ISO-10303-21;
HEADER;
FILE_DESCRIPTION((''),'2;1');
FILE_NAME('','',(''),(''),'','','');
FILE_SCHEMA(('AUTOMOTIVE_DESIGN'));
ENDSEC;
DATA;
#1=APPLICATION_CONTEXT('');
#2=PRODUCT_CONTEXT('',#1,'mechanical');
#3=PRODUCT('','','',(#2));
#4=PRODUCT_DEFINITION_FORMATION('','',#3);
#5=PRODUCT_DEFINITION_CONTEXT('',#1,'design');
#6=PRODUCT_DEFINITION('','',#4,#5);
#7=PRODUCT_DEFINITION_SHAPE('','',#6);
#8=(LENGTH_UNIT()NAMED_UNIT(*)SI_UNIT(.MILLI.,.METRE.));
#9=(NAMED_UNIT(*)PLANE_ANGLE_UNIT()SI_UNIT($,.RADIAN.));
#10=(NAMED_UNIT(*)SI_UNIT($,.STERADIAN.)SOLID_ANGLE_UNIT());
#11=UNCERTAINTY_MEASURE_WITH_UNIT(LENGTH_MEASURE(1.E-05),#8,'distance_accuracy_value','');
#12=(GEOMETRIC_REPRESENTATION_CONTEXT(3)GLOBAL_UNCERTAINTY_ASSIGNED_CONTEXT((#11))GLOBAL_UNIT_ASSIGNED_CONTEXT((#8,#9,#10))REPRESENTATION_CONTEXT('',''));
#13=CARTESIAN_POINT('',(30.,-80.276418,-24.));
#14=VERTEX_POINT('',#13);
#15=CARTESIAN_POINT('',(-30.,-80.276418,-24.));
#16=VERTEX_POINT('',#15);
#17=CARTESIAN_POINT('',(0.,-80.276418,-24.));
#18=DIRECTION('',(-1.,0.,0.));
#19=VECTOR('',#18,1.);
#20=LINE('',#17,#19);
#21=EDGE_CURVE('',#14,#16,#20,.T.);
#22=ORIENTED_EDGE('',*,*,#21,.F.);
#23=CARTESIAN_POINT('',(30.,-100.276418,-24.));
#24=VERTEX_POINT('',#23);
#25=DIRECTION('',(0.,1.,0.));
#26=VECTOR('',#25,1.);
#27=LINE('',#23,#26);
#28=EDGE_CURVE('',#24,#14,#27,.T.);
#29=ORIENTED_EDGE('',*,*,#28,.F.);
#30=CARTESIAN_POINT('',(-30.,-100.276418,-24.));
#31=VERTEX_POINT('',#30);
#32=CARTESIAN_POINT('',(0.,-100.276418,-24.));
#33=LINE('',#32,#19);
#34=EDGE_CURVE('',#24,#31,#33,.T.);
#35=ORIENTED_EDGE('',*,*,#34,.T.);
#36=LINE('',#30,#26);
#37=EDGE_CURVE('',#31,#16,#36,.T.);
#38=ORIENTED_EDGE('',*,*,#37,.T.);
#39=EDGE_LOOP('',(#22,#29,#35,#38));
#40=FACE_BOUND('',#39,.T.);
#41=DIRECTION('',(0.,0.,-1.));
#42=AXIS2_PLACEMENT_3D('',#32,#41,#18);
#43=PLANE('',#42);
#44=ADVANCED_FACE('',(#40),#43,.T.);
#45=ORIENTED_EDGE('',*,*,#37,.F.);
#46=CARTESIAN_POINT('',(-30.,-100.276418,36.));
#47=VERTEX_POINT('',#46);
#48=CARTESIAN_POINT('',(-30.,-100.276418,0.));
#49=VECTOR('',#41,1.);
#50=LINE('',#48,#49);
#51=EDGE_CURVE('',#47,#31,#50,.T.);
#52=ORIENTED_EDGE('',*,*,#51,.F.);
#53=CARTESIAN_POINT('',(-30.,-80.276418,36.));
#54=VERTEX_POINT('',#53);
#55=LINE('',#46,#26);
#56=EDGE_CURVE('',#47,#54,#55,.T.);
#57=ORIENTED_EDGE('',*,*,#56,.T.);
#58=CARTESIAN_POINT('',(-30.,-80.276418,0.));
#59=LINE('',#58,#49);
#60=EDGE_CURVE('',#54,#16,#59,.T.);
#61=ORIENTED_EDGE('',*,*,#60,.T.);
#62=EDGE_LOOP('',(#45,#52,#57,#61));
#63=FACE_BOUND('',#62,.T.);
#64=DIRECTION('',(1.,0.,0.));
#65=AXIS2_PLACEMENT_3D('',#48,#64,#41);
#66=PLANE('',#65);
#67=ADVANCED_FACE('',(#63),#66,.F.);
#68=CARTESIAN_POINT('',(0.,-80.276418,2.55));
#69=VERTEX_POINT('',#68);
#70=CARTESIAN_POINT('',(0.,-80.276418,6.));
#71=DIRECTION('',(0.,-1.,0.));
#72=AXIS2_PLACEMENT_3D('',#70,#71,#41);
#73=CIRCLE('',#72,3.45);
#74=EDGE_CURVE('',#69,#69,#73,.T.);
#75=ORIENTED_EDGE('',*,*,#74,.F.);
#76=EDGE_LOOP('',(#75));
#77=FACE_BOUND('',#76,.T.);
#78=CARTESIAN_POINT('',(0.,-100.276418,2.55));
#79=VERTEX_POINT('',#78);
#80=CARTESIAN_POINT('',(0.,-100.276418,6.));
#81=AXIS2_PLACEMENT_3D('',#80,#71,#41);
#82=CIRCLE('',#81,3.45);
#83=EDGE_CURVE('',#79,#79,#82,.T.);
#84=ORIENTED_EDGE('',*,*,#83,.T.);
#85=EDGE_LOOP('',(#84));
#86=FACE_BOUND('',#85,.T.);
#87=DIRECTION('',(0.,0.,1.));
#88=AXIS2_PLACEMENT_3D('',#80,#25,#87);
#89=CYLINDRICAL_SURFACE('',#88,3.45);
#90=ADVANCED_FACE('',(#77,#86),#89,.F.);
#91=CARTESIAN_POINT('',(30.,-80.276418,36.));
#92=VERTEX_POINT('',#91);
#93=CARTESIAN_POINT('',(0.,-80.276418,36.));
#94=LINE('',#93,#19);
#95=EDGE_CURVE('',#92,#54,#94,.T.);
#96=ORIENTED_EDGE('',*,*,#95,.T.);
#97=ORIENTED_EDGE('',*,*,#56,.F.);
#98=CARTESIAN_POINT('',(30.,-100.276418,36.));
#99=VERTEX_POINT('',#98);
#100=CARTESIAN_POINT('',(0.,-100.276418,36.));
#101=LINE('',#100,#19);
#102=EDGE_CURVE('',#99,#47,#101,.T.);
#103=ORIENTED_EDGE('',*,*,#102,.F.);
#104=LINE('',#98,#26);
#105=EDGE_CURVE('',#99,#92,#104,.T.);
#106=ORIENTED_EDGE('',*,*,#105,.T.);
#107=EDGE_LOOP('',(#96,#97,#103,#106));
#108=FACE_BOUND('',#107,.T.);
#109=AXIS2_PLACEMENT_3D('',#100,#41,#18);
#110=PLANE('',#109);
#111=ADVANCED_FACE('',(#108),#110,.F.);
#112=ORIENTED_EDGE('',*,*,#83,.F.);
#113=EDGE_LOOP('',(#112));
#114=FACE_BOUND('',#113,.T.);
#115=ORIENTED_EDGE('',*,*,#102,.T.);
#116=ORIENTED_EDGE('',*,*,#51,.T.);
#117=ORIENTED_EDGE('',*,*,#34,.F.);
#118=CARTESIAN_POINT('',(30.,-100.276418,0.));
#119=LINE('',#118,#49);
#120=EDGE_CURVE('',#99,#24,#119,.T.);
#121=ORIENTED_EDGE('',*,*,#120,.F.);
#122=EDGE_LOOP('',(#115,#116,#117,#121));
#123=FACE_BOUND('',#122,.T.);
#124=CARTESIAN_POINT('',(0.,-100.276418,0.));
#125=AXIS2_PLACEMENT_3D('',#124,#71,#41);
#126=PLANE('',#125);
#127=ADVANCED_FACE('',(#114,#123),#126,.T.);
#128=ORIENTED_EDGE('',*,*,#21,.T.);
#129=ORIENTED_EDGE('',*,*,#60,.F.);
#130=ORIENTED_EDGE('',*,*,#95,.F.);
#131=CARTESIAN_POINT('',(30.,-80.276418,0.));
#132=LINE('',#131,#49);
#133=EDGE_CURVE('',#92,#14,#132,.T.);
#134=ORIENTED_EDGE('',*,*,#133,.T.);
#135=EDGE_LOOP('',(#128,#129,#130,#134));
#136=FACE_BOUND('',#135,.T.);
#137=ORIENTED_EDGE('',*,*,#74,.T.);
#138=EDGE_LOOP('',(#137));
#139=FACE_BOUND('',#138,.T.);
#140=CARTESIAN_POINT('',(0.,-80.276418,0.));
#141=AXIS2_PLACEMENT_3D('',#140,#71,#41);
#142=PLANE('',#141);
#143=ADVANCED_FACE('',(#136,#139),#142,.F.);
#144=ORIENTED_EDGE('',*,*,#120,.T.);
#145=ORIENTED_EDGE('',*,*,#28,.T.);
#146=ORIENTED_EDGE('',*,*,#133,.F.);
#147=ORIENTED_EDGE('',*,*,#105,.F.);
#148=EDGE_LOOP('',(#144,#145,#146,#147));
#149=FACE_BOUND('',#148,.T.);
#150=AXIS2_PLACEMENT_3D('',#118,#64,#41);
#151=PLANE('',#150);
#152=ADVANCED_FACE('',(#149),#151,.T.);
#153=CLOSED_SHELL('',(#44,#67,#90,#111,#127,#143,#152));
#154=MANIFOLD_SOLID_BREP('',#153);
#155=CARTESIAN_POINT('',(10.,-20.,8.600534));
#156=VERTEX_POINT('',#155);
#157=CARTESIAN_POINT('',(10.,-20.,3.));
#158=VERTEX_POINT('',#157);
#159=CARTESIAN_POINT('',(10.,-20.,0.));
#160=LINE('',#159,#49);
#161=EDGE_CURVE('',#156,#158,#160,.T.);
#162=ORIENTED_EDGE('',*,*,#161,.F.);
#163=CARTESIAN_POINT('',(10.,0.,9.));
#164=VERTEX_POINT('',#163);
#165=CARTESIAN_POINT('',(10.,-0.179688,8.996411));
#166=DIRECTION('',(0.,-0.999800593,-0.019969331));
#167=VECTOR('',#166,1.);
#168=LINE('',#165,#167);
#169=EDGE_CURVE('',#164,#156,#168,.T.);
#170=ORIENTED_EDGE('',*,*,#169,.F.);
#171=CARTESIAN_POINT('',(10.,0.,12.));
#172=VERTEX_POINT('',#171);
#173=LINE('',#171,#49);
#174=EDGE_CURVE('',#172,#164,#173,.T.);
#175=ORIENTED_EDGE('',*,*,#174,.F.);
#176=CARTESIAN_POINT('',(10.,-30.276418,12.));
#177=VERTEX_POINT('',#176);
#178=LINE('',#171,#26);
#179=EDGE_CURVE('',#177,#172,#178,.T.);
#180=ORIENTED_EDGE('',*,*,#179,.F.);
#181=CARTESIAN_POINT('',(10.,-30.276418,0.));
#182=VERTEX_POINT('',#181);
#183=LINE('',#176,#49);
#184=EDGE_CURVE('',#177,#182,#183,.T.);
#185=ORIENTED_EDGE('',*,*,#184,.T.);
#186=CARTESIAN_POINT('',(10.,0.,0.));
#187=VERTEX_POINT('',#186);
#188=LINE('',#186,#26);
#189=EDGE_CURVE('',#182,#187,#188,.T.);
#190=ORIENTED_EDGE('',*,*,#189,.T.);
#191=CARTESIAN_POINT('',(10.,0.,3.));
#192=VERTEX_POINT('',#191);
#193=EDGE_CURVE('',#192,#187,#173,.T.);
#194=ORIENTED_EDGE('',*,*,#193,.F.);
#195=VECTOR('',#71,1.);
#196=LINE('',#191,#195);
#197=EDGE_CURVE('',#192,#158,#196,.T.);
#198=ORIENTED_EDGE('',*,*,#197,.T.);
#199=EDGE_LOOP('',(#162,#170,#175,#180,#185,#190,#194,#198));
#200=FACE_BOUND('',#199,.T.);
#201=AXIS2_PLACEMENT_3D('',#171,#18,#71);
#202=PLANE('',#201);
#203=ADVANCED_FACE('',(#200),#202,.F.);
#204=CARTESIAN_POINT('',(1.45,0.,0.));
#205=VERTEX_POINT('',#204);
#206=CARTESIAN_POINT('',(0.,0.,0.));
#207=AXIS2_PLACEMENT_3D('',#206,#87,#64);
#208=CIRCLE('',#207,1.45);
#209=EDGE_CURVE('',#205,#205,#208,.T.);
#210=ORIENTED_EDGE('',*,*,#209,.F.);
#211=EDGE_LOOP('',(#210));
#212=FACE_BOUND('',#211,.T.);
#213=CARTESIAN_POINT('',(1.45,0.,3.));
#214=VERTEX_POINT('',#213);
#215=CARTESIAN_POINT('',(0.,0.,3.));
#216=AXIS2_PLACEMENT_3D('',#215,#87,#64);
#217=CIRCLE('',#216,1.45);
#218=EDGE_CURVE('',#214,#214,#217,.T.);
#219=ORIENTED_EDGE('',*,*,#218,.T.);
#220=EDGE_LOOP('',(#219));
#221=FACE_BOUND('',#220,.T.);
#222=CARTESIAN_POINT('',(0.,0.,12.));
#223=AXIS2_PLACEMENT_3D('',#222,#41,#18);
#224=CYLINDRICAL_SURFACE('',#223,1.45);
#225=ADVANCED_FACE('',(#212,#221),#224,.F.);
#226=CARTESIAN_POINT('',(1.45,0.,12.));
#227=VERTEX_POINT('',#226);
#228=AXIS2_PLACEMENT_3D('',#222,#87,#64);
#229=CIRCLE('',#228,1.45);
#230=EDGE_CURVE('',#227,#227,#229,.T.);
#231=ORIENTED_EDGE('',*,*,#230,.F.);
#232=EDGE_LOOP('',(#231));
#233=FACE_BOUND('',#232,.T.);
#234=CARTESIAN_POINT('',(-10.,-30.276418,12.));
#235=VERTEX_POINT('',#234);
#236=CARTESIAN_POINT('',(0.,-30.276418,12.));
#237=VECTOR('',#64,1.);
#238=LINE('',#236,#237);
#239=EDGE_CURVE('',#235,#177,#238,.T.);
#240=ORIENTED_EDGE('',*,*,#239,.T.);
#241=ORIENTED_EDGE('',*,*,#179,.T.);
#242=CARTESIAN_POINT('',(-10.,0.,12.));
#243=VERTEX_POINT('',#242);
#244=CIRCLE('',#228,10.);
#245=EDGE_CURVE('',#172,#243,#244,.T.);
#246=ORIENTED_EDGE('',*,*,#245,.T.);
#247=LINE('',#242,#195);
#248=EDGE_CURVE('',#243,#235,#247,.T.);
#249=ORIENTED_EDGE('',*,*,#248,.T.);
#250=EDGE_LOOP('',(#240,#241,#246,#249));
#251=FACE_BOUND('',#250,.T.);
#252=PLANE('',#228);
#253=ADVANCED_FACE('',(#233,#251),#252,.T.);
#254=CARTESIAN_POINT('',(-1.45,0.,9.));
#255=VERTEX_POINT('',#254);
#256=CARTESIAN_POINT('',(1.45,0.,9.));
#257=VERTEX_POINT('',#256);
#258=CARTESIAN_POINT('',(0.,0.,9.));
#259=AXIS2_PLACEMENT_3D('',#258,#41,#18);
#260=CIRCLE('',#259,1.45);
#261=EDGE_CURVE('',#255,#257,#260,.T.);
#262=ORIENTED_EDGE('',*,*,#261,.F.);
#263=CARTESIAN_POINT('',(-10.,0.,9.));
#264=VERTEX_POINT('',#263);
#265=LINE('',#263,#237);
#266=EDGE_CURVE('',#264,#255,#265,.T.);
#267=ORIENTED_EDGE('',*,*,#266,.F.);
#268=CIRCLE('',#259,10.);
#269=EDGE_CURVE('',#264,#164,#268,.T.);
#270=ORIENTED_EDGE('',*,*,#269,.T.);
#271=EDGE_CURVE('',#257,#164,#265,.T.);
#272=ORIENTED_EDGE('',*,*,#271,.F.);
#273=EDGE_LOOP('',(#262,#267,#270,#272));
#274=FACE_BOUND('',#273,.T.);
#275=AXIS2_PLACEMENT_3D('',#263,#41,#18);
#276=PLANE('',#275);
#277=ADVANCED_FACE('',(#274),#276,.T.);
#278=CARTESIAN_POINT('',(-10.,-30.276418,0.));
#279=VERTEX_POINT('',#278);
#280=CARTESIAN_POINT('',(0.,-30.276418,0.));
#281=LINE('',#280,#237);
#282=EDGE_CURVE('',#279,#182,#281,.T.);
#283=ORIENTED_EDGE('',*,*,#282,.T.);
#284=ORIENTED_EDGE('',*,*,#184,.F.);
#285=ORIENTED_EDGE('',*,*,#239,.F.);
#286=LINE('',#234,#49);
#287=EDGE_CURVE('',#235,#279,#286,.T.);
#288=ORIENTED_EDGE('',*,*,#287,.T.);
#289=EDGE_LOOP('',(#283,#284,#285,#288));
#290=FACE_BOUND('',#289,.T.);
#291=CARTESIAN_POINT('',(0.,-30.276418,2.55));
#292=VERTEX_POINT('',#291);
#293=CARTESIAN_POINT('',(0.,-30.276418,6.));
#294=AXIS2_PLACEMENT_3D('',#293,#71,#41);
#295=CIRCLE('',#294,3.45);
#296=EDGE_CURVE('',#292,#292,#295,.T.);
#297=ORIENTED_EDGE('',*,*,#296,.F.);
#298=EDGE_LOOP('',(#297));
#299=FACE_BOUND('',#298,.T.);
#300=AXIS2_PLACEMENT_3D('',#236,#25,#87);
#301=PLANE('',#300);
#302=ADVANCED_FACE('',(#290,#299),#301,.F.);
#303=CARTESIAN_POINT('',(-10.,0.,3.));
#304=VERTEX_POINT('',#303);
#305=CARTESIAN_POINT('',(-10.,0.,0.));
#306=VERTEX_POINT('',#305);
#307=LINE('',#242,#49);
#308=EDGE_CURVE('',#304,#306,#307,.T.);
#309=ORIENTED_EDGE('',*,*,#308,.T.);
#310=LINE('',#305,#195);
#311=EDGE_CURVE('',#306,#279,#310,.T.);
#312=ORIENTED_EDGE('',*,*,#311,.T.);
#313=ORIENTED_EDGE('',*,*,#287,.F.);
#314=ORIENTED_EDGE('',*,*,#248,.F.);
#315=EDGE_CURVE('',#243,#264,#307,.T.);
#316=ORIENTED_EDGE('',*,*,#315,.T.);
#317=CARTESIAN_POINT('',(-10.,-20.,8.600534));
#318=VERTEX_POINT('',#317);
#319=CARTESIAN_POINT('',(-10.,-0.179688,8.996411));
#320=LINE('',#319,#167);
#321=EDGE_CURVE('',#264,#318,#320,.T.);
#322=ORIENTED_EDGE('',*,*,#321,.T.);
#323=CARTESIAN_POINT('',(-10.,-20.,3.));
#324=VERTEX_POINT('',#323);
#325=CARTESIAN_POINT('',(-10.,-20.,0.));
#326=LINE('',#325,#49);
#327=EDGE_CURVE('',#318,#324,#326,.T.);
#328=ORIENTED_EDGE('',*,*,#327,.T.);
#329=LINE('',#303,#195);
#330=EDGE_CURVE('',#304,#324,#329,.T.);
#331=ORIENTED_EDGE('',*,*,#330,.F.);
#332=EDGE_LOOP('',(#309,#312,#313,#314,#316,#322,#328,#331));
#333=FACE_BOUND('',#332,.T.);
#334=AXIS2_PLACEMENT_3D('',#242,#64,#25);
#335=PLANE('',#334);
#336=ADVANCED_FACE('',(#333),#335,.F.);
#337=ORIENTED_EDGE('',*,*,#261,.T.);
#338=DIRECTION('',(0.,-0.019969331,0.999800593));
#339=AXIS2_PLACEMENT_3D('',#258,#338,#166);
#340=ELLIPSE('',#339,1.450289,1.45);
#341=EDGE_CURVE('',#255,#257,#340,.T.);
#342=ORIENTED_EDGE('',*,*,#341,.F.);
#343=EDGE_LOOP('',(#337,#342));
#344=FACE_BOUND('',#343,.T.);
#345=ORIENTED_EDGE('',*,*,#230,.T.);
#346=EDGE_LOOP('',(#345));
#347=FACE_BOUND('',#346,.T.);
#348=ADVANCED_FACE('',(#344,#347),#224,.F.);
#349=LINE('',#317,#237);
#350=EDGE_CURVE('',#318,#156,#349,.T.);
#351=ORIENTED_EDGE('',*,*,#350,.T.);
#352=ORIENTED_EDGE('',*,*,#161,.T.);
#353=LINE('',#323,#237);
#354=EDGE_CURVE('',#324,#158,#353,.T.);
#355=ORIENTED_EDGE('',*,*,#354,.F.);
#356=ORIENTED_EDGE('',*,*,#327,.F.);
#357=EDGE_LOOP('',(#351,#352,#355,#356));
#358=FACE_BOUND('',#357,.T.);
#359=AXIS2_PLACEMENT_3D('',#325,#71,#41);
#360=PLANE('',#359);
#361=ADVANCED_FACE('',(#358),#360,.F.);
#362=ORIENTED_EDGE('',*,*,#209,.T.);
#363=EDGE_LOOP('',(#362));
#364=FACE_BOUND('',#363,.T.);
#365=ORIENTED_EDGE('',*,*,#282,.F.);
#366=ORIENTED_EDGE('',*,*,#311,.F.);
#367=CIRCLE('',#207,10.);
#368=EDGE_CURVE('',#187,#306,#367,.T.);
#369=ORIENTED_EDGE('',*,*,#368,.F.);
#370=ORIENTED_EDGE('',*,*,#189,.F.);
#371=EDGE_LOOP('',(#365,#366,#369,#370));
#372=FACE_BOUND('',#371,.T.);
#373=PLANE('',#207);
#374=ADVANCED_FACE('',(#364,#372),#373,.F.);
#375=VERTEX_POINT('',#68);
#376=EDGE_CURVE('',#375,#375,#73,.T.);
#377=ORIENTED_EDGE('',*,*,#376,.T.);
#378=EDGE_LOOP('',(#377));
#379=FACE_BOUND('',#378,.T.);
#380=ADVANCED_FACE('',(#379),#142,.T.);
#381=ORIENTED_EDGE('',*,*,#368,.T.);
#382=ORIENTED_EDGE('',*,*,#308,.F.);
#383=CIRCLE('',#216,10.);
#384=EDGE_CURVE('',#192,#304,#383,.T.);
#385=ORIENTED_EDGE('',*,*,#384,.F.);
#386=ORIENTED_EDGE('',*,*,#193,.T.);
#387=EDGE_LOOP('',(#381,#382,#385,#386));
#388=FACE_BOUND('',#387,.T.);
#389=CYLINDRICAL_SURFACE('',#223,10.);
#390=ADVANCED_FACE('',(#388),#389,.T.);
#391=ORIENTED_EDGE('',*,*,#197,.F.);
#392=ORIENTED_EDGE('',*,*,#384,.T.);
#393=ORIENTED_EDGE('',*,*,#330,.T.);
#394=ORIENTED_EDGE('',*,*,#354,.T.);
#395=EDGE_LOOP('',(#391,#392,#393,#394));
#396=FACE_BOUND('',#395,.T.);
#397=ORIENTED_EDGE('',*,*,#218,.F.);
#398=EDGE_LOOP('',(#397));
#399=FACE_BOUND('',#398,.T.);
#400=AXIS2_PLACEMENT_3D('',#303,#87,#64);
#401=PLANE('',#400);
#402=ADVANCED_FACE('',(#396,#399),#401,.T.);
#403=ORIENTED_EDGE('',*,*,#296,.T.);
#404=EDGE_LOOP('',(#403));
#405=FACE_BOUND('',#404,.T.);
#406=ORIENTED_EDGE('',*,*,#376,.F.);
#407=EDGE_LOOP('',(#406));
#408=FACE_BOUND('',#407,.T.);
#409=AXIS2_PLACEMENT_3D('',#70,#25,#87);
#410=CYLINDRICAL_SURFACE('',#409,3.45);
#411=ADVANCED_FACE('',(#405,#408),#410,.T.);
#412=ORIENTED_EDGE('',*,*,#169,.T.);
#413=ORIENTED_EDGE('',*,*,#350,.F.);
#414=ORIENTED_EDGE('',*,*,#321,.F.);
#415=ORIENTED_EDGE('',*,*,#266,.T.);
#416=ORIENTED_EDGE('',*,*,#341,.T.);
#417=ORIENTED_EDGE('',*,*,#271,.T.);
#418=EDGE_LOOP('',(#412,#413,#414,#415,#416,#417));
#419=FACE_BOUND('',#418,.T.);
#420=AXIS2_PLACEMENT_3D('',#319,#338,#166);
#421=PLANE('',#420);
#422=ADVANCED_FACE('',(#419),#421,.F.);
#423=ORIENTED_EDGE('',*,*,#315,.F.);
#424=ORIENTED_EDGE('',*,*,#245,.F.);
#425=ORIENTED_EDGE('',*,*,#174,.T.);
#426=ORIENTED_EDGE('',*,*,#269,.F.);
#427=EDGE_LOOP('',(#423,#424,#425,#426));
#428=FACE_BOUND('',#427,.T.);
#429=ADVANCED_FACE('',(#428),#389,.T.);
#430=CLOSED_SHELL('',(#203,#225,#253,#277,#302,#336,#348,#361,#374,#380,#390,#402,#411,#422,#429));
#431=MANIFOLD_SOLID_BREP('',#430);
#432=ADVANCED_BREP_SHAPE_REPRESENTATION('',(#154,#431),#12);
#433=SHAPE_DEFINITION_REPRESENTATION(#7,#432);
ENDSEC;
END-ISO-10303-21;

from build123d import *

# Parameters (mm, degrees)
SKETCH_1_R          = 1.45
EXTRUDE_1_DEPTH     = 12
CUT_EXTRUDE_1_DEPTH = 39.218600963
EXTRUDE_2_DEPTH     = 50
SKETCH_4_W          = 60
SKETCH_4_H          = 60
SKETCH_4_R          = 3.45
EXTRUDE_3_DEPTH     = 20


with BuildPart() as part:
    # 草圖1 → 填料-伸長1 (new body)
    with BuildSketch(Plane.XY):
        with BuildLine():
            Line((-10, 0), (-10, -30.276417548))
            Line((-10, -30.276417548), (10, -30.276417548))
            Line((10, -30.276417548), (10, 0))
            ThreePointArc((10, 0), (0, 10), (-10, 0))
        make_face()
        Circle(SKETCH_1_R, mode=Mode.SUBTRACT)
    extrude(amount=EXTRUDE_1_DEPTH)

    # 草圖2 → 除料-伸長1 (cut, through all)
    with BuildSketch(Plane(origin=(10, 0, 0), x_dir=(0, 0, -1), z_dir=(1, 0, 0))):
        Polygon((-9, 0), (-6, 0), (-3, 0), (-3, 15.780779257), (-9, 15.780779257), align=None)
        Polygon((-3, 0), (-6, 0), (-9, 0), (-8.60053373, -20), (-3, -20), align=None)
    extrude(amount=-CUT_EXTRUDE_1_DEPTH, mode=Mode.SUBTRACT)

    # 草圖3 → 填料-伸長2 (add)
    with BuildSketch(Plane.XZ.offset(30.276417548)):
        with BuildLine():
            ThreePointArc((-3.45, 6), (0, 2.55), (3.45, 6))
            Line((3.45, 6), (-3.45, 6))
        make_face()
        with BuildLine():
            Line((-3.45, 6), (3.45, 6))
            ThreePointArc((3.45, 6), (0, 9.45), (-3.45, 6))
        make_face()
    extrude(amount=EXTRUDE_2_DEPTH)


with BuildPart() as body_2:
    # 草圖4 → 填料-伸長3 (new body)
    with BuildSketch(Plane.XZ.offset(80.276417548)):
        with Locations((0, 6)):
            Rectangle(SKETCH_4_W, SKETCH_4_H)
        with Locations(Location((0, 6, 0), (0, 0, 270))):
            Circle(SKETCH_4_R, mode=Mode.SUBTRACT)
    extrude(amount=EXTRUDE_3_DEPTH)


solid = Compound([part.part, body_2.part])
